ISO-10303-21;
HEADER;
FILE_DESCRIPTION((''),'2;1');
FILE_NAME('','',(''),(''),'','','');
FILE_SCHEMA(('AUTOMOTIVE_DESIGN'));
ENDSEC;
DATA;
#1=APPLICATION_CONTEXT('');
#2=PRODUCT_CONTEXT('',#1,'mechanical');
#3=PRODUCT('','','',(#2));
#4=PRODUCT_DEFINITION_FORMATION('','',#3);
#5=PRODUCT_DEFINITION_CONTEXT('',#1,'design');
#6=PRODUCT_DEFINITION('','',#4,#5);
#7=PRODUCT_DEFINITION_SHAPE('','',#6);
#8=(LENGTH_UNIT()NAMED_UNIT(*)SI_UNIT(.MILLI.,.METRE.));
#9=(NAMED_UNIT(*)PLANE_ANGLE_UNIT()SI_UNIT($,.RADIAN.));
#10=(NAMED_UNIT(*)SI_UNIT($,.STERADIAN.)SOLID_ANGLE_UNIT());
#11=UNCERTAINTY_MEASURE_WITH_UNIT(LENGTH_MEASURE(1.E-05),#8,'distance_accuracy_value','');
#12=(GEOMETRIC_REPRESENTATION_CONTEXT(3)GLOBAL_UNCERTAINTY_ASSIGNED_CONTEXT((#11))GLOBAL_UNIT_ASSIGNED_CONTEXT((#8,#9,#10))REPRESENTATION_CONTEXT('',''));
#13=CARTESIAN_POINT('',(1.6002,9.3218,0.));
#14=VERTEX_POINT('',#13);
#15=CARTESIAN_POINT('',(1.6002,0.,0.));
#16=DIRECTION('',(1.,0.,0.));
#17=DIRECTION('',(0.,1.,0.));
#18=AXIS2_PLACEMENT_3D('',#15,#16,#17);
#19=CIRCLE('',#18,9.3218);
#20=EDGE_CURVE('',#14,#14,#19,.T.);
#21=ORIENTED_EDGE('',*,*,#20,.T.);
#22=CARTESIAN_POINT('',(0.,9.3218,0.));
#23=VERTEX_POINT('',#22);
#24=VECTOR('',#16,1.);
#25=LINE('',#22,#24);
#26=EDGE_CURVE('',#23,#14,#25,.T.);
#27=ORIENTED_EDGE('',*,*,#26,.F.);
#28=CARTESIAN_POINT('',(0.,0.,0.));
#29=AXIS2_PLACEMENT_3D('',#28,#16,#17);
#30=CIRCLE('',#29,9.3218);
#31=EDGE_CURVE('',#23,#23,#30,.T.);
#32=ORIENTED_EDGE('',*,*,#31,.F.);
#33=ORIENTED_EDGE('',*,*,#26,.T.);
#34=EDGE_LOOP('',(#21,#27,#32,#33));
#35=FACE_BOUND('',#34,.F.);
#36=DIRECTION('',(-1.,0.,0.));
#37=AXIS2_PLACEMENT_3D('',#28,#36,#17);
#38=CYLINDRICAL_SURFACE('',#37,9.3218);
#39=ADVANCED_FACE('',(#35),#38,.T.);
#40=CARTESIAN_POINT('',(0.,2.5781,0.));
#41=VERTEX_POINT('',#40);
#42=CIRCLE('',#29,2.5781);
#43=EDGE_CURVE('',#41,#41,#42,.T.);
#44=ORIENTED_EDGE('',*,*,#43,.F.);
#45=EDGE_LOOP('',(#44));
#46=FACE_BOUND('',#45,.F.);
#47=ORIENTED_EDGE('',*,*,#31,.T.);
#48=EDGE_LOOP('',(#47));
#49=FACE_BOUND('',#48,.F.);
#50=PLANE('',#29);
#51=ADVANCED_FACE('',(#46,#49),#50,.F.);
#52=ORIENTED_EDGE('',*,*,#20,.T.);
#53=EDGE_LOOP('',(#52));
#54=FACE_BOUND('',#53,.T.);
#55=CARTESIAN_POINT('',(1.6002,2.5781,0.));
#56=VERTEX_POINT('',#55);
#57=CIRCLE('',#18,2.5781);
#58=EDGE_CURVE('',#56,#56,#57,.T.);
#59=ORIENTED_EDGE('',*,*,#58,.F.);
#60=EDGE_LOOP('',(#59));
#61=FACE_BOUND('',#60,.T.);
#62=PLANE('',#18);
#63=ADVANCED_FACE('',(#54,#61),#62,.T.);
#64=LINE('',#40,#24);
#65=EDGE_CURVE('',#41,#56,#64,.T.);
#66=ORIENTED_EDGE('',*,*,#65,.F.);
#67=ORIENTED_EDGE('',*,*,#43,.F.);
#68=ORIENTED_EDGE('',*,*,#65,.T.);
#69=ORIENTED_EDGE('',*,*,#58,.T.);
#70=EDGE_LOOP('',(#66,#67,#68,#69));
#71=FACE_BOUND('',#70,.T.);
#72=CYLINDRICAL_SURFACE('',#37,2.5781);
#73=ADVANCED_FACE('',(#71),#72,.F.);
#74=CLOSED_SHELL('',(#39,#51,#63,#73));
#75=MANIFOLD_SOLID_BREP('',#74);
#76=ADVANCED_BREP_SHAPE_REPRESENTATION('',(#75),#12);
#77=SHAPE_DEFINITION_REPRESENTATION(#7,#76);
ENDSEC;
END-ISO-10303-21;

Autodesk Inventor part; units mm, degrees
ref_plane "YZ Plane" through (0, 0, 0) normal (1, 0, 0) x (0, 1, 0)
ref_plane "XZ Plane" through (0, 0, 0) normal (0, 1, 0) x (-1, 0, 0)
sketch "Sketch" plane through (0, 0, 0) normal (1, 0, 0) x (0, 1, 0)
  circle A0 centre (0, 0) radius 9.3218
  circle A1 centre (0, 0) radius 2.5781
  dimension "d0" = 5.1562
  dimension "d1" = 18.6436
extrude "Body" add sketch "Sketch" along normal blind 1.6002
ref_plane "Work Plane1" through (0, 0, 0) normal (0, 0, 1) x (1, 0, 0)
equation "\"d0\" = SD1"
equation "\"d1\" = SD2"
equation "\"d2\" = SD"
equation "\"SD1\" = 5.1562"
equation "\"SD2\" = 18.6436"
equation "\"SD\" = 1.6002"
equation "\"NND\" = 4.826"
properties part number "ANSI B18.22.1 - No. 10 - wide - Type B" material "Steel, Mild"
